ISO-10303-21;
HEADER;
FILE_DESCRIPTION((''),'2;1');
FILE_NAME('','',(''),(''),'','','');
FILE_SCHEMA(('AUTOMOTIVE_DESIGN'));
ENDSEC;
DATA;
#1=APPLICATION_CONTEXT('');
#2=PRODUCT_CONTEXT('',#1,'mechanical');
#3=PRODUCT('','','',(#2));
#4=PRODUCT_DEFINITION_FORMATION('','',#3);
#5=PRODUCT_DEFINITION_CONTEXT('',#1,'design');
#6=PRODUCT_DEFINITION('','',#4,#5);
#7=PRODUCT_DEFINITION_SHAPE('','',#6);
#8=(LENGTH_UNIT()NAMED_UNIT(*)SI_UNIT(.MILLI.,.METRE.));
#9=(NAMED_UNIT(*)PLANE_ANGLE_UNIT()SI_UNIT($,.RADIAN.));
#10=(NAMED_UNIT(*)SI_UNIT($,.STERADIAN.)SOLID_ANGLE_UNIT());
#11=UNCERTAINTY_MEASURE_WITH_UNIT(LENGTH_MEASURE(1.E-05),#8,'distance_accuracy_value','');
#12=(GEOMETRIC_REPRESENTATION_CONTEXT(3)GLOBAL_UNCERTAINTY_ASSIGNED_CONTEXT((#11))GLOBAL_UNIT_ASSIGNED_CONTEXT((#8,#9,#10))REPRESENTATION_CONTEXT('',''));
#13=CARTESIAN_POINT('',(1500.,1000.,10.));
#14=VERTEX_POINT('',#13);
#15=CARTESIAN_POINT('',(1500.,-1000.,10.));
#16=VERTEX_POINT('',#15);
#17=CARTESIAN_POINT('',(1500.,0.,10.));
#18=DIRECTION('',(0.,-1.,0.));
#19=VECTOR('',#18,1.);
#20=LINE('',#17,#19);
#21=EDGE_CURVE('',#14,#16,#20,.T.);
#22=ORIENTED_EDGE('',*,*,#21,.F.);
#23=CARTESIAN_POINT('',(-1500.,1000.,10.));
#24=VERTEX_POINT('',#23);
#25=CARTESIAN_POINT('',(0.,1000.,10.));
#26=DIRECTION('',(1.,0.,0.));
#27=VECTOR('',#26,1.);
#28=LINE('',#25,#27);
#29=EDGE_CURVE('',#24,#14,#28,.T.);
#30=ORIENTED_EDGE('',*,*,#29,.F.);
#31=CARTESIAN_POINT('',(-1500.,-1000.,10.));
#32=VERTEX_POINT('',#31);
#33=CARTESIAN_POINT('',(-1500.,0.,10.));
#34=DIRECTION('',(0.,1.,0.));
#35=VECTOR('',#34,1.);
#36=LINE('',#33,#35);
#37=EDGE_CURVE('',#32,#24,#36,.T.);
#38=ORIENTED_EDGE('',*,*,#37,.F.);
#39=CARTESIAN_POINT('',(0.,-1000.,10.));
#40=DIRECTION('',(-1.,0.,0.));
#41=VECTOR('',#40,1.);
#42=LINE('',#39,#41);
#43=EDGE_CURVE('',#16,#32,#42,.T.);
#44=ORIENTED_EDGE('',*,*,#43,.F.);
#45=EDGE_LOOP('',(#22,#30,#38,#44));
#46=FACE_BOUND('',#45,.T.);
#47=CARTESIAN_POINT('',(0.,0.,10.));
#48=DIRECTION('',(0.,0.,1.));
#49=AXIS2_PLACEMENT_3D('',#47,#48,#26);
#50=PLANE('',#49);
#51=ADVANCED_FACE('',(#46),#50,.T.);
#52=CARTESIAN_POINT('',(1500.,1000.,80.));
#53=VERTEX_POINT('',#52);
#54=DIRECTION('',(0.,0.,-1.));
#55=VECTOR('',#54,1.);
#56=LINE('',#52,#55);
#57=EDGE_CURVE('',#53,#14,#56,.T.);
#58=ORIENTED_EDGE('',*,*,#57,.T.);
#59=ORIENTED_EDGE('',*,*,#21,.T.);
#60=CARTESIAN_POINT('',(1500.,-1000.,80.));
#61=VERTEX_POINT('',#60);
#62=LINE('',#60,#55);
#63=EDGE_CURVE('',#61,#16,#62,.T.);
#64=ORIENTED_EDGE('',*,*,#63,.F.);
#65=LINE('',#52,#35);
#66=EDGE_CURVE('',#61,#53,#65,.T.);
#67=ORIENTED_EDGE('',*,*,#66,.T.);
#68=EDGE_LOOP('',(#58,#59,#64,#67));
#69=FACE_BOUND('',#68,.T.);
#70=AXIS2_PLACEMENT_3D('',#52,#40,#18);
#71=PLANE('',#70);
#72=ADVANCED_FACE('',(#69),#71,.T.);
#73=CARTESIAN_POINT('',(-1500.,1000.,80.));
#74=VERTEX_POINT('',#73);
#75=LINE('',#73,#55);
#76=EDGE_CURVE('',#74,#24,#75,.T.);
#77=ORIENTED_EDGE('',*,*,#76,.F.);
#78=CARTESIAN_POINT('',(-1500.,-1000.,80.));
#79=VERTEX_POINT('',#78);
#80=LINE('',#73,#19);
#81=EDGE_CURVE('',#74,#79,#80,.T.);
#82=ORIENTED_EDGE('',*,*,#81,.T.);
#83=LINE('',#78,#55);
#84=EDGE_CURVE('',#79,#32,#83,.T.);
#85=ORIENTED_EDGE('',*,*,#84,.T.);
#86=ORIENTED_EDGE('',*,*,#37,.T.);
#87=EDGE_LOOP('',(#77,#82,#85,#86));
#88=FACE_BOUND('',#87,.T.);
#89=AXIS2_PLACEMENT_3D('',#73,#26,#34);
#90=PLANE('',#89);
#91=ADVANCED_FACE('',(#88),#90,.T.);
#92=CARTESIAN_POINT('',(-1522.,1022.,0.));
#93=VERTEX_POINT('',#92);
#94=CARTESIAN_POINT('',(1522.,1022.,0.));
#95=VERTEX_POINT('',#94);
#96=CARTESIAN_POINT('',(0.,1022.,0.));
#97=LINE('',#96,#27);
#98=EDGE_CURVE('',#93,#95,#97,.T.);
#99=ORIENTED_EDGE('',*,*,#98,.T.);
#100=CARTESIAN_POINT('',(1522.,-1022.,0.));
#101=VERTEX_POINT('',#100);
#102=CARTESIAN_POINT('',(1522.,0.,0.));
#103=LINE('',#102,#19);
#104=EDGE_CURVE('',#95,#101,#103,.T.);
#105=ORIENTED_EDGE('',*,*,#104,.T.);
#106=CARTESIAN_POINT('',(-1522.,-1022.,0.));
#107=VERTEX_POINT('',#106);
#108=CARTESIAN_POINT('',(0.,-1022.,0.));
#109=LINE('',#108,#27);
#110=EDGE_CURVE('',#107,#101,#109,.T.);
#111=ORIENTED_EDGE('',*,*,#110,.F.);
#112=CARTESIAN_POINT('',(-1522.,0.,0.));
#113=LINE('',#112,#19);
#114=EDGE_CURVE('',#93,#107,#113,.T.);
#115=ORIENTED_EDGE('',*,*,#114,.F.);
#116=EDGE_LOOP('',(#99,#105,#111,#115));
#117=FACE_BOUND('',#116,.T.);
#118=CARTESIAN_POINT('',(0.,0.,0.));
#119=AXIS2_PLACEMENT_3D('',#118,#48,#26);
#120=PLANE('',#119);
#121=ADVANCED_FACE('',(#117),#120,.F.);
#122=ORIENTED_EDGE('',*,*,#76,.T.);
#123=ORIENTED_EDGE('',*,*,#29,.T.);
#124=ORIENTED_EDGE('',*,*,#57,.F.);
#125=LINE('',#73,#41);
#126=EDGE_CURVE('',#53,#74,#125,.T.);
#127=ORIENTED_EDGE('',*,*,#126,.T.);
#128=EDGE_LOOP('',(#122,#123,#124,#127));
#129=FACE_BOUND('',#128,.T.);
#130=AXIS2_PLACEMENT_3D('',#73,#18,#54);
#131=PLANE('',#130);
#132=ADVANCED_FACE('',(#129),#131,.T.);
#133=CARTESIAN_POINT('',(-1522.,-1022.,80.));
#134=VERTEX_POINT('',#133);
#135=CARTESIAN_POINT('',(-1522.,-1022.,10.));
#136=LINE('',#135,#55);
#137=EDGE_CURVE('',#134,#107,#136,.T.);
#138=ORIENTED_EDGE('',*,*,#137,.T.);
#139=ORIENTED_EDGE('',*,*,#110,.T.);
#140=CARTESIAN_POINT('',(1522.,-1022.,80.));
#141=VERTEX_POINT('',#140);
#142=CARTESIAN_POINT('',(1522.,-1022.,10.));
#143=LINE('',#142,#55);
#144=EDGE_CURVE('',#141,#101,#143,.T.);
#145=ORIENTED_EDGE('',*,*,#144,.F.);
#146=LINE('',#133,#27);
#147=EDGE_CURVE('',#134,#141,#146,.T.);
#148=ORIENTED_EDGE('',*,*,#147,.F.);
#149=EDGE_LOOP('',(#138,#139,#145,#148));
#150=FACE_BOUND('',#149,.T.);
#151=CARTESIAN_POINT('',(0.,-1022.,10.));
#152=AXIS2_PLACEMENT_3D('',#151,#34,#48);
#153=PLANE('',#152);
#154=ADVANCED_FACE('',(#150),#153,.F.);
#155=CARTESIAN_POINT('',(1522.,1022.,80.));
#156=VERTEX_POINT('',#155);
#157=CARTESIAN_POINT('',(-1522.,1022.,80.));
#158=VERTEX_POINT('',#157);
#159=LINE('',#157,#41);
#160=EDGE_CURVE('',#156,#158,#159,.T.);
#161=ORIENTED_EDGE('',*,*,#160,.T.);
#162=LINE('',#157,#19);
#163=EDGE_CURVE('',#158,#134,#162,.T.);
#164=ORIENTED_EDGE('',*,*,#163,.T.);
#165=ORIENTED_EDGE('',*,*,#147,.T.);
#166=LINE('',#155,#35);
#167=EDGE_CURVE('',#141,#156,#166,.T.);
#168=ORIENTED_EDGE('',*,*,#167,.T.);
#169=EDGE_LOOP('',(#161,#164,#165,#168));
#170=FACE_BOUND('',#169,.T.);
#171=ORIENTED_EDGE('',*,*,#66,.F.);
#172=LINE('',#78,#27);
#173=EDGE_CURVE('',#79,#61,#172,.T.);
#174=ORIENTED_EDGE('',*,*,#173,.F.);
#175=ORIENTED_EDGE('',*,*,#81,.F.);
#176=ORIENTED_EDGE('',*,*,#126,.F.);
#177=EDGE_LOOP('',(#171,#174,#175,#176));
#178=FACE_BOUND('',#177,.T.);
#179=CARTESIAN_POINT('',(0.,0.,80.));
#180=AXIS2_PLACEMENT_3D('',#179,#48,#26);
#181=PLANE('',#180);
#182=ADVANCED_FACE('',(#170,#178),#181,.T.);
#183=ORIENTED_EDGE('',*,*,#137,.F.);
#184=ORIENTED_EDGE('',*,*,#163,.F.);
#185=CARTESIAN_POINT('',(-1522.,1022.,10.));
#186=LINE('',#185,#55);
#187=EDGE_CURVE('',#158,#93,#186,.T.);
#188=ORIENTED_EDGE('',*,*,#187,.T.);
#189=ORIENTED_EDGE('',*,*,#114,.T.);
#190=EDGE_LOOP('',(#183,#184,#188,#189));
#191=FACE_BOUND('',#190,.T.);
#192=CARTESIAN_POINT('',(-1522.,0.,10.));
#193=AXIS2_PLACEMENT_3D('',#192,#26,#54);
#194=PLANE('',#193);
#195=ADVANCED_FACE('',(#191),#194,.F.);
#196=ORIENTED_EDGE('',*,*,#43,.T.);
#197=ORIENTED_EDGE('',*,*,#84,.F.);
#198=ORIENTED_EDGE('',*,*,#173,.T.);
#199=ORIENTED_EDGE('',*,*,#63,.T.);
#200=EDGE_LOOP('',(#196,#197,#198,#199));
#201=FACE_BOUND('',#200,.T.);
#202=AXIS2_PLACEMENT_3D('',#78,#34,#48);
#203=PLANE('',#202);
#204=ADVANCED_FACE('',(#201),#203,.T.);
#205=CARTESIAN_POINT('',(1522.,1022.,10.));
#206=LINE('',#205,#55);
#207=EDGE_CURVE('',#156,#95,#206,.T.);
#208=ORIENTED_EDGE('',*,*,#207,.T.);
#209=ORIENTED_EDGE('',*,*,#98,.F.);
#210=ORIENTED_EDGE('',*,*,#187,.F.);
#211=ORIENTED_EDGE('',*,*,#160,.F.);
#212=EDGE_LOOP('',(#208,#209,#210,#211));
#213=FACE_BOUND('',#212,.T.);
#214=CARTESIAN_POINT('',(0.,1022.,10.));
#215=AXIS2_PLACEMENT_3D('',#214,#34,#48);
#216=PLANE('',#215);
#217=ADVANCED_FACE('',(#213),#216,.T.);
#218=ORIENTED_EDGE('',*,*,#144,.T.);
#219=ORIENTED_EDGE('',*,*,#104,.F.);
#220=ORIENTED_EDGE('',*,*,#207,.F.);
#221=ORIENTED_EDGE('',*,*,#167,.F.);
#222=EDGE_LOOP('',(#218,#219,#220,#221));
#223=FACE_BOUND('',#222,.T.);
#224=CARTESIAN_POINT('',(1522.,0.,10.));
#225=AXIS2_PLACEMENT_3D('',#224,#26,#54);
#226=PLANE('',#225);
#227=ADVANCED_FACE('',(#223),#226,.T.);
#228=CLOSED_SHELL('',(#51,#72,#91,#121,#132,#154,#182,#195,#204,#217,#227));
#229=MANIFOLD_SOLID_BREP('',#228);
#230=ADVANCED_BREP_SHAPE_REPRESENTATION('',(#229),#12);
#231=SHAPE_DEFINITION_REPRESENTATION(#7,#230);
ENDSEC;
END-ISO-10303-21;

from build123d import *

# Parameters (mm, degrees)
SKETCH1_W           = 3044
SKETCH1_H           = 2044
BOSS_EXTRUDE1_DEPTH = 10
SKETCH1_3_W         = 3044
SKETCH1_3_H         = 2044
SKETCH1_3_W_2       = 3000
SKETCH1_3_H_2       = 2000
BOSS_EXTRUDE2_DEPTH = 80


with BuildPart() as part:
    # Sketch1 → Boss-Extrude1 (new body)
    with BuildSketch(Plane.XY):
        Rectangle(SKETCH1_W, SKETCH1_H)
    extrude(amount=BOSS_EXTRUDE1_DEPTH)

    # Sketch1<3> → Boss-Extrude2 (add)
    with BuildSketch(Plane.XY):
        Rectangle(SKETCH1_3_W, SKETCH1_3_H)
        Rectangle(SKETCH1_3_W_2, SKETCH1_3_H_2, mode=Mode.SUBTRACT)
    extrude(amount=BOSS_EXTRUDE2_DEPTH)


solid = part.part
